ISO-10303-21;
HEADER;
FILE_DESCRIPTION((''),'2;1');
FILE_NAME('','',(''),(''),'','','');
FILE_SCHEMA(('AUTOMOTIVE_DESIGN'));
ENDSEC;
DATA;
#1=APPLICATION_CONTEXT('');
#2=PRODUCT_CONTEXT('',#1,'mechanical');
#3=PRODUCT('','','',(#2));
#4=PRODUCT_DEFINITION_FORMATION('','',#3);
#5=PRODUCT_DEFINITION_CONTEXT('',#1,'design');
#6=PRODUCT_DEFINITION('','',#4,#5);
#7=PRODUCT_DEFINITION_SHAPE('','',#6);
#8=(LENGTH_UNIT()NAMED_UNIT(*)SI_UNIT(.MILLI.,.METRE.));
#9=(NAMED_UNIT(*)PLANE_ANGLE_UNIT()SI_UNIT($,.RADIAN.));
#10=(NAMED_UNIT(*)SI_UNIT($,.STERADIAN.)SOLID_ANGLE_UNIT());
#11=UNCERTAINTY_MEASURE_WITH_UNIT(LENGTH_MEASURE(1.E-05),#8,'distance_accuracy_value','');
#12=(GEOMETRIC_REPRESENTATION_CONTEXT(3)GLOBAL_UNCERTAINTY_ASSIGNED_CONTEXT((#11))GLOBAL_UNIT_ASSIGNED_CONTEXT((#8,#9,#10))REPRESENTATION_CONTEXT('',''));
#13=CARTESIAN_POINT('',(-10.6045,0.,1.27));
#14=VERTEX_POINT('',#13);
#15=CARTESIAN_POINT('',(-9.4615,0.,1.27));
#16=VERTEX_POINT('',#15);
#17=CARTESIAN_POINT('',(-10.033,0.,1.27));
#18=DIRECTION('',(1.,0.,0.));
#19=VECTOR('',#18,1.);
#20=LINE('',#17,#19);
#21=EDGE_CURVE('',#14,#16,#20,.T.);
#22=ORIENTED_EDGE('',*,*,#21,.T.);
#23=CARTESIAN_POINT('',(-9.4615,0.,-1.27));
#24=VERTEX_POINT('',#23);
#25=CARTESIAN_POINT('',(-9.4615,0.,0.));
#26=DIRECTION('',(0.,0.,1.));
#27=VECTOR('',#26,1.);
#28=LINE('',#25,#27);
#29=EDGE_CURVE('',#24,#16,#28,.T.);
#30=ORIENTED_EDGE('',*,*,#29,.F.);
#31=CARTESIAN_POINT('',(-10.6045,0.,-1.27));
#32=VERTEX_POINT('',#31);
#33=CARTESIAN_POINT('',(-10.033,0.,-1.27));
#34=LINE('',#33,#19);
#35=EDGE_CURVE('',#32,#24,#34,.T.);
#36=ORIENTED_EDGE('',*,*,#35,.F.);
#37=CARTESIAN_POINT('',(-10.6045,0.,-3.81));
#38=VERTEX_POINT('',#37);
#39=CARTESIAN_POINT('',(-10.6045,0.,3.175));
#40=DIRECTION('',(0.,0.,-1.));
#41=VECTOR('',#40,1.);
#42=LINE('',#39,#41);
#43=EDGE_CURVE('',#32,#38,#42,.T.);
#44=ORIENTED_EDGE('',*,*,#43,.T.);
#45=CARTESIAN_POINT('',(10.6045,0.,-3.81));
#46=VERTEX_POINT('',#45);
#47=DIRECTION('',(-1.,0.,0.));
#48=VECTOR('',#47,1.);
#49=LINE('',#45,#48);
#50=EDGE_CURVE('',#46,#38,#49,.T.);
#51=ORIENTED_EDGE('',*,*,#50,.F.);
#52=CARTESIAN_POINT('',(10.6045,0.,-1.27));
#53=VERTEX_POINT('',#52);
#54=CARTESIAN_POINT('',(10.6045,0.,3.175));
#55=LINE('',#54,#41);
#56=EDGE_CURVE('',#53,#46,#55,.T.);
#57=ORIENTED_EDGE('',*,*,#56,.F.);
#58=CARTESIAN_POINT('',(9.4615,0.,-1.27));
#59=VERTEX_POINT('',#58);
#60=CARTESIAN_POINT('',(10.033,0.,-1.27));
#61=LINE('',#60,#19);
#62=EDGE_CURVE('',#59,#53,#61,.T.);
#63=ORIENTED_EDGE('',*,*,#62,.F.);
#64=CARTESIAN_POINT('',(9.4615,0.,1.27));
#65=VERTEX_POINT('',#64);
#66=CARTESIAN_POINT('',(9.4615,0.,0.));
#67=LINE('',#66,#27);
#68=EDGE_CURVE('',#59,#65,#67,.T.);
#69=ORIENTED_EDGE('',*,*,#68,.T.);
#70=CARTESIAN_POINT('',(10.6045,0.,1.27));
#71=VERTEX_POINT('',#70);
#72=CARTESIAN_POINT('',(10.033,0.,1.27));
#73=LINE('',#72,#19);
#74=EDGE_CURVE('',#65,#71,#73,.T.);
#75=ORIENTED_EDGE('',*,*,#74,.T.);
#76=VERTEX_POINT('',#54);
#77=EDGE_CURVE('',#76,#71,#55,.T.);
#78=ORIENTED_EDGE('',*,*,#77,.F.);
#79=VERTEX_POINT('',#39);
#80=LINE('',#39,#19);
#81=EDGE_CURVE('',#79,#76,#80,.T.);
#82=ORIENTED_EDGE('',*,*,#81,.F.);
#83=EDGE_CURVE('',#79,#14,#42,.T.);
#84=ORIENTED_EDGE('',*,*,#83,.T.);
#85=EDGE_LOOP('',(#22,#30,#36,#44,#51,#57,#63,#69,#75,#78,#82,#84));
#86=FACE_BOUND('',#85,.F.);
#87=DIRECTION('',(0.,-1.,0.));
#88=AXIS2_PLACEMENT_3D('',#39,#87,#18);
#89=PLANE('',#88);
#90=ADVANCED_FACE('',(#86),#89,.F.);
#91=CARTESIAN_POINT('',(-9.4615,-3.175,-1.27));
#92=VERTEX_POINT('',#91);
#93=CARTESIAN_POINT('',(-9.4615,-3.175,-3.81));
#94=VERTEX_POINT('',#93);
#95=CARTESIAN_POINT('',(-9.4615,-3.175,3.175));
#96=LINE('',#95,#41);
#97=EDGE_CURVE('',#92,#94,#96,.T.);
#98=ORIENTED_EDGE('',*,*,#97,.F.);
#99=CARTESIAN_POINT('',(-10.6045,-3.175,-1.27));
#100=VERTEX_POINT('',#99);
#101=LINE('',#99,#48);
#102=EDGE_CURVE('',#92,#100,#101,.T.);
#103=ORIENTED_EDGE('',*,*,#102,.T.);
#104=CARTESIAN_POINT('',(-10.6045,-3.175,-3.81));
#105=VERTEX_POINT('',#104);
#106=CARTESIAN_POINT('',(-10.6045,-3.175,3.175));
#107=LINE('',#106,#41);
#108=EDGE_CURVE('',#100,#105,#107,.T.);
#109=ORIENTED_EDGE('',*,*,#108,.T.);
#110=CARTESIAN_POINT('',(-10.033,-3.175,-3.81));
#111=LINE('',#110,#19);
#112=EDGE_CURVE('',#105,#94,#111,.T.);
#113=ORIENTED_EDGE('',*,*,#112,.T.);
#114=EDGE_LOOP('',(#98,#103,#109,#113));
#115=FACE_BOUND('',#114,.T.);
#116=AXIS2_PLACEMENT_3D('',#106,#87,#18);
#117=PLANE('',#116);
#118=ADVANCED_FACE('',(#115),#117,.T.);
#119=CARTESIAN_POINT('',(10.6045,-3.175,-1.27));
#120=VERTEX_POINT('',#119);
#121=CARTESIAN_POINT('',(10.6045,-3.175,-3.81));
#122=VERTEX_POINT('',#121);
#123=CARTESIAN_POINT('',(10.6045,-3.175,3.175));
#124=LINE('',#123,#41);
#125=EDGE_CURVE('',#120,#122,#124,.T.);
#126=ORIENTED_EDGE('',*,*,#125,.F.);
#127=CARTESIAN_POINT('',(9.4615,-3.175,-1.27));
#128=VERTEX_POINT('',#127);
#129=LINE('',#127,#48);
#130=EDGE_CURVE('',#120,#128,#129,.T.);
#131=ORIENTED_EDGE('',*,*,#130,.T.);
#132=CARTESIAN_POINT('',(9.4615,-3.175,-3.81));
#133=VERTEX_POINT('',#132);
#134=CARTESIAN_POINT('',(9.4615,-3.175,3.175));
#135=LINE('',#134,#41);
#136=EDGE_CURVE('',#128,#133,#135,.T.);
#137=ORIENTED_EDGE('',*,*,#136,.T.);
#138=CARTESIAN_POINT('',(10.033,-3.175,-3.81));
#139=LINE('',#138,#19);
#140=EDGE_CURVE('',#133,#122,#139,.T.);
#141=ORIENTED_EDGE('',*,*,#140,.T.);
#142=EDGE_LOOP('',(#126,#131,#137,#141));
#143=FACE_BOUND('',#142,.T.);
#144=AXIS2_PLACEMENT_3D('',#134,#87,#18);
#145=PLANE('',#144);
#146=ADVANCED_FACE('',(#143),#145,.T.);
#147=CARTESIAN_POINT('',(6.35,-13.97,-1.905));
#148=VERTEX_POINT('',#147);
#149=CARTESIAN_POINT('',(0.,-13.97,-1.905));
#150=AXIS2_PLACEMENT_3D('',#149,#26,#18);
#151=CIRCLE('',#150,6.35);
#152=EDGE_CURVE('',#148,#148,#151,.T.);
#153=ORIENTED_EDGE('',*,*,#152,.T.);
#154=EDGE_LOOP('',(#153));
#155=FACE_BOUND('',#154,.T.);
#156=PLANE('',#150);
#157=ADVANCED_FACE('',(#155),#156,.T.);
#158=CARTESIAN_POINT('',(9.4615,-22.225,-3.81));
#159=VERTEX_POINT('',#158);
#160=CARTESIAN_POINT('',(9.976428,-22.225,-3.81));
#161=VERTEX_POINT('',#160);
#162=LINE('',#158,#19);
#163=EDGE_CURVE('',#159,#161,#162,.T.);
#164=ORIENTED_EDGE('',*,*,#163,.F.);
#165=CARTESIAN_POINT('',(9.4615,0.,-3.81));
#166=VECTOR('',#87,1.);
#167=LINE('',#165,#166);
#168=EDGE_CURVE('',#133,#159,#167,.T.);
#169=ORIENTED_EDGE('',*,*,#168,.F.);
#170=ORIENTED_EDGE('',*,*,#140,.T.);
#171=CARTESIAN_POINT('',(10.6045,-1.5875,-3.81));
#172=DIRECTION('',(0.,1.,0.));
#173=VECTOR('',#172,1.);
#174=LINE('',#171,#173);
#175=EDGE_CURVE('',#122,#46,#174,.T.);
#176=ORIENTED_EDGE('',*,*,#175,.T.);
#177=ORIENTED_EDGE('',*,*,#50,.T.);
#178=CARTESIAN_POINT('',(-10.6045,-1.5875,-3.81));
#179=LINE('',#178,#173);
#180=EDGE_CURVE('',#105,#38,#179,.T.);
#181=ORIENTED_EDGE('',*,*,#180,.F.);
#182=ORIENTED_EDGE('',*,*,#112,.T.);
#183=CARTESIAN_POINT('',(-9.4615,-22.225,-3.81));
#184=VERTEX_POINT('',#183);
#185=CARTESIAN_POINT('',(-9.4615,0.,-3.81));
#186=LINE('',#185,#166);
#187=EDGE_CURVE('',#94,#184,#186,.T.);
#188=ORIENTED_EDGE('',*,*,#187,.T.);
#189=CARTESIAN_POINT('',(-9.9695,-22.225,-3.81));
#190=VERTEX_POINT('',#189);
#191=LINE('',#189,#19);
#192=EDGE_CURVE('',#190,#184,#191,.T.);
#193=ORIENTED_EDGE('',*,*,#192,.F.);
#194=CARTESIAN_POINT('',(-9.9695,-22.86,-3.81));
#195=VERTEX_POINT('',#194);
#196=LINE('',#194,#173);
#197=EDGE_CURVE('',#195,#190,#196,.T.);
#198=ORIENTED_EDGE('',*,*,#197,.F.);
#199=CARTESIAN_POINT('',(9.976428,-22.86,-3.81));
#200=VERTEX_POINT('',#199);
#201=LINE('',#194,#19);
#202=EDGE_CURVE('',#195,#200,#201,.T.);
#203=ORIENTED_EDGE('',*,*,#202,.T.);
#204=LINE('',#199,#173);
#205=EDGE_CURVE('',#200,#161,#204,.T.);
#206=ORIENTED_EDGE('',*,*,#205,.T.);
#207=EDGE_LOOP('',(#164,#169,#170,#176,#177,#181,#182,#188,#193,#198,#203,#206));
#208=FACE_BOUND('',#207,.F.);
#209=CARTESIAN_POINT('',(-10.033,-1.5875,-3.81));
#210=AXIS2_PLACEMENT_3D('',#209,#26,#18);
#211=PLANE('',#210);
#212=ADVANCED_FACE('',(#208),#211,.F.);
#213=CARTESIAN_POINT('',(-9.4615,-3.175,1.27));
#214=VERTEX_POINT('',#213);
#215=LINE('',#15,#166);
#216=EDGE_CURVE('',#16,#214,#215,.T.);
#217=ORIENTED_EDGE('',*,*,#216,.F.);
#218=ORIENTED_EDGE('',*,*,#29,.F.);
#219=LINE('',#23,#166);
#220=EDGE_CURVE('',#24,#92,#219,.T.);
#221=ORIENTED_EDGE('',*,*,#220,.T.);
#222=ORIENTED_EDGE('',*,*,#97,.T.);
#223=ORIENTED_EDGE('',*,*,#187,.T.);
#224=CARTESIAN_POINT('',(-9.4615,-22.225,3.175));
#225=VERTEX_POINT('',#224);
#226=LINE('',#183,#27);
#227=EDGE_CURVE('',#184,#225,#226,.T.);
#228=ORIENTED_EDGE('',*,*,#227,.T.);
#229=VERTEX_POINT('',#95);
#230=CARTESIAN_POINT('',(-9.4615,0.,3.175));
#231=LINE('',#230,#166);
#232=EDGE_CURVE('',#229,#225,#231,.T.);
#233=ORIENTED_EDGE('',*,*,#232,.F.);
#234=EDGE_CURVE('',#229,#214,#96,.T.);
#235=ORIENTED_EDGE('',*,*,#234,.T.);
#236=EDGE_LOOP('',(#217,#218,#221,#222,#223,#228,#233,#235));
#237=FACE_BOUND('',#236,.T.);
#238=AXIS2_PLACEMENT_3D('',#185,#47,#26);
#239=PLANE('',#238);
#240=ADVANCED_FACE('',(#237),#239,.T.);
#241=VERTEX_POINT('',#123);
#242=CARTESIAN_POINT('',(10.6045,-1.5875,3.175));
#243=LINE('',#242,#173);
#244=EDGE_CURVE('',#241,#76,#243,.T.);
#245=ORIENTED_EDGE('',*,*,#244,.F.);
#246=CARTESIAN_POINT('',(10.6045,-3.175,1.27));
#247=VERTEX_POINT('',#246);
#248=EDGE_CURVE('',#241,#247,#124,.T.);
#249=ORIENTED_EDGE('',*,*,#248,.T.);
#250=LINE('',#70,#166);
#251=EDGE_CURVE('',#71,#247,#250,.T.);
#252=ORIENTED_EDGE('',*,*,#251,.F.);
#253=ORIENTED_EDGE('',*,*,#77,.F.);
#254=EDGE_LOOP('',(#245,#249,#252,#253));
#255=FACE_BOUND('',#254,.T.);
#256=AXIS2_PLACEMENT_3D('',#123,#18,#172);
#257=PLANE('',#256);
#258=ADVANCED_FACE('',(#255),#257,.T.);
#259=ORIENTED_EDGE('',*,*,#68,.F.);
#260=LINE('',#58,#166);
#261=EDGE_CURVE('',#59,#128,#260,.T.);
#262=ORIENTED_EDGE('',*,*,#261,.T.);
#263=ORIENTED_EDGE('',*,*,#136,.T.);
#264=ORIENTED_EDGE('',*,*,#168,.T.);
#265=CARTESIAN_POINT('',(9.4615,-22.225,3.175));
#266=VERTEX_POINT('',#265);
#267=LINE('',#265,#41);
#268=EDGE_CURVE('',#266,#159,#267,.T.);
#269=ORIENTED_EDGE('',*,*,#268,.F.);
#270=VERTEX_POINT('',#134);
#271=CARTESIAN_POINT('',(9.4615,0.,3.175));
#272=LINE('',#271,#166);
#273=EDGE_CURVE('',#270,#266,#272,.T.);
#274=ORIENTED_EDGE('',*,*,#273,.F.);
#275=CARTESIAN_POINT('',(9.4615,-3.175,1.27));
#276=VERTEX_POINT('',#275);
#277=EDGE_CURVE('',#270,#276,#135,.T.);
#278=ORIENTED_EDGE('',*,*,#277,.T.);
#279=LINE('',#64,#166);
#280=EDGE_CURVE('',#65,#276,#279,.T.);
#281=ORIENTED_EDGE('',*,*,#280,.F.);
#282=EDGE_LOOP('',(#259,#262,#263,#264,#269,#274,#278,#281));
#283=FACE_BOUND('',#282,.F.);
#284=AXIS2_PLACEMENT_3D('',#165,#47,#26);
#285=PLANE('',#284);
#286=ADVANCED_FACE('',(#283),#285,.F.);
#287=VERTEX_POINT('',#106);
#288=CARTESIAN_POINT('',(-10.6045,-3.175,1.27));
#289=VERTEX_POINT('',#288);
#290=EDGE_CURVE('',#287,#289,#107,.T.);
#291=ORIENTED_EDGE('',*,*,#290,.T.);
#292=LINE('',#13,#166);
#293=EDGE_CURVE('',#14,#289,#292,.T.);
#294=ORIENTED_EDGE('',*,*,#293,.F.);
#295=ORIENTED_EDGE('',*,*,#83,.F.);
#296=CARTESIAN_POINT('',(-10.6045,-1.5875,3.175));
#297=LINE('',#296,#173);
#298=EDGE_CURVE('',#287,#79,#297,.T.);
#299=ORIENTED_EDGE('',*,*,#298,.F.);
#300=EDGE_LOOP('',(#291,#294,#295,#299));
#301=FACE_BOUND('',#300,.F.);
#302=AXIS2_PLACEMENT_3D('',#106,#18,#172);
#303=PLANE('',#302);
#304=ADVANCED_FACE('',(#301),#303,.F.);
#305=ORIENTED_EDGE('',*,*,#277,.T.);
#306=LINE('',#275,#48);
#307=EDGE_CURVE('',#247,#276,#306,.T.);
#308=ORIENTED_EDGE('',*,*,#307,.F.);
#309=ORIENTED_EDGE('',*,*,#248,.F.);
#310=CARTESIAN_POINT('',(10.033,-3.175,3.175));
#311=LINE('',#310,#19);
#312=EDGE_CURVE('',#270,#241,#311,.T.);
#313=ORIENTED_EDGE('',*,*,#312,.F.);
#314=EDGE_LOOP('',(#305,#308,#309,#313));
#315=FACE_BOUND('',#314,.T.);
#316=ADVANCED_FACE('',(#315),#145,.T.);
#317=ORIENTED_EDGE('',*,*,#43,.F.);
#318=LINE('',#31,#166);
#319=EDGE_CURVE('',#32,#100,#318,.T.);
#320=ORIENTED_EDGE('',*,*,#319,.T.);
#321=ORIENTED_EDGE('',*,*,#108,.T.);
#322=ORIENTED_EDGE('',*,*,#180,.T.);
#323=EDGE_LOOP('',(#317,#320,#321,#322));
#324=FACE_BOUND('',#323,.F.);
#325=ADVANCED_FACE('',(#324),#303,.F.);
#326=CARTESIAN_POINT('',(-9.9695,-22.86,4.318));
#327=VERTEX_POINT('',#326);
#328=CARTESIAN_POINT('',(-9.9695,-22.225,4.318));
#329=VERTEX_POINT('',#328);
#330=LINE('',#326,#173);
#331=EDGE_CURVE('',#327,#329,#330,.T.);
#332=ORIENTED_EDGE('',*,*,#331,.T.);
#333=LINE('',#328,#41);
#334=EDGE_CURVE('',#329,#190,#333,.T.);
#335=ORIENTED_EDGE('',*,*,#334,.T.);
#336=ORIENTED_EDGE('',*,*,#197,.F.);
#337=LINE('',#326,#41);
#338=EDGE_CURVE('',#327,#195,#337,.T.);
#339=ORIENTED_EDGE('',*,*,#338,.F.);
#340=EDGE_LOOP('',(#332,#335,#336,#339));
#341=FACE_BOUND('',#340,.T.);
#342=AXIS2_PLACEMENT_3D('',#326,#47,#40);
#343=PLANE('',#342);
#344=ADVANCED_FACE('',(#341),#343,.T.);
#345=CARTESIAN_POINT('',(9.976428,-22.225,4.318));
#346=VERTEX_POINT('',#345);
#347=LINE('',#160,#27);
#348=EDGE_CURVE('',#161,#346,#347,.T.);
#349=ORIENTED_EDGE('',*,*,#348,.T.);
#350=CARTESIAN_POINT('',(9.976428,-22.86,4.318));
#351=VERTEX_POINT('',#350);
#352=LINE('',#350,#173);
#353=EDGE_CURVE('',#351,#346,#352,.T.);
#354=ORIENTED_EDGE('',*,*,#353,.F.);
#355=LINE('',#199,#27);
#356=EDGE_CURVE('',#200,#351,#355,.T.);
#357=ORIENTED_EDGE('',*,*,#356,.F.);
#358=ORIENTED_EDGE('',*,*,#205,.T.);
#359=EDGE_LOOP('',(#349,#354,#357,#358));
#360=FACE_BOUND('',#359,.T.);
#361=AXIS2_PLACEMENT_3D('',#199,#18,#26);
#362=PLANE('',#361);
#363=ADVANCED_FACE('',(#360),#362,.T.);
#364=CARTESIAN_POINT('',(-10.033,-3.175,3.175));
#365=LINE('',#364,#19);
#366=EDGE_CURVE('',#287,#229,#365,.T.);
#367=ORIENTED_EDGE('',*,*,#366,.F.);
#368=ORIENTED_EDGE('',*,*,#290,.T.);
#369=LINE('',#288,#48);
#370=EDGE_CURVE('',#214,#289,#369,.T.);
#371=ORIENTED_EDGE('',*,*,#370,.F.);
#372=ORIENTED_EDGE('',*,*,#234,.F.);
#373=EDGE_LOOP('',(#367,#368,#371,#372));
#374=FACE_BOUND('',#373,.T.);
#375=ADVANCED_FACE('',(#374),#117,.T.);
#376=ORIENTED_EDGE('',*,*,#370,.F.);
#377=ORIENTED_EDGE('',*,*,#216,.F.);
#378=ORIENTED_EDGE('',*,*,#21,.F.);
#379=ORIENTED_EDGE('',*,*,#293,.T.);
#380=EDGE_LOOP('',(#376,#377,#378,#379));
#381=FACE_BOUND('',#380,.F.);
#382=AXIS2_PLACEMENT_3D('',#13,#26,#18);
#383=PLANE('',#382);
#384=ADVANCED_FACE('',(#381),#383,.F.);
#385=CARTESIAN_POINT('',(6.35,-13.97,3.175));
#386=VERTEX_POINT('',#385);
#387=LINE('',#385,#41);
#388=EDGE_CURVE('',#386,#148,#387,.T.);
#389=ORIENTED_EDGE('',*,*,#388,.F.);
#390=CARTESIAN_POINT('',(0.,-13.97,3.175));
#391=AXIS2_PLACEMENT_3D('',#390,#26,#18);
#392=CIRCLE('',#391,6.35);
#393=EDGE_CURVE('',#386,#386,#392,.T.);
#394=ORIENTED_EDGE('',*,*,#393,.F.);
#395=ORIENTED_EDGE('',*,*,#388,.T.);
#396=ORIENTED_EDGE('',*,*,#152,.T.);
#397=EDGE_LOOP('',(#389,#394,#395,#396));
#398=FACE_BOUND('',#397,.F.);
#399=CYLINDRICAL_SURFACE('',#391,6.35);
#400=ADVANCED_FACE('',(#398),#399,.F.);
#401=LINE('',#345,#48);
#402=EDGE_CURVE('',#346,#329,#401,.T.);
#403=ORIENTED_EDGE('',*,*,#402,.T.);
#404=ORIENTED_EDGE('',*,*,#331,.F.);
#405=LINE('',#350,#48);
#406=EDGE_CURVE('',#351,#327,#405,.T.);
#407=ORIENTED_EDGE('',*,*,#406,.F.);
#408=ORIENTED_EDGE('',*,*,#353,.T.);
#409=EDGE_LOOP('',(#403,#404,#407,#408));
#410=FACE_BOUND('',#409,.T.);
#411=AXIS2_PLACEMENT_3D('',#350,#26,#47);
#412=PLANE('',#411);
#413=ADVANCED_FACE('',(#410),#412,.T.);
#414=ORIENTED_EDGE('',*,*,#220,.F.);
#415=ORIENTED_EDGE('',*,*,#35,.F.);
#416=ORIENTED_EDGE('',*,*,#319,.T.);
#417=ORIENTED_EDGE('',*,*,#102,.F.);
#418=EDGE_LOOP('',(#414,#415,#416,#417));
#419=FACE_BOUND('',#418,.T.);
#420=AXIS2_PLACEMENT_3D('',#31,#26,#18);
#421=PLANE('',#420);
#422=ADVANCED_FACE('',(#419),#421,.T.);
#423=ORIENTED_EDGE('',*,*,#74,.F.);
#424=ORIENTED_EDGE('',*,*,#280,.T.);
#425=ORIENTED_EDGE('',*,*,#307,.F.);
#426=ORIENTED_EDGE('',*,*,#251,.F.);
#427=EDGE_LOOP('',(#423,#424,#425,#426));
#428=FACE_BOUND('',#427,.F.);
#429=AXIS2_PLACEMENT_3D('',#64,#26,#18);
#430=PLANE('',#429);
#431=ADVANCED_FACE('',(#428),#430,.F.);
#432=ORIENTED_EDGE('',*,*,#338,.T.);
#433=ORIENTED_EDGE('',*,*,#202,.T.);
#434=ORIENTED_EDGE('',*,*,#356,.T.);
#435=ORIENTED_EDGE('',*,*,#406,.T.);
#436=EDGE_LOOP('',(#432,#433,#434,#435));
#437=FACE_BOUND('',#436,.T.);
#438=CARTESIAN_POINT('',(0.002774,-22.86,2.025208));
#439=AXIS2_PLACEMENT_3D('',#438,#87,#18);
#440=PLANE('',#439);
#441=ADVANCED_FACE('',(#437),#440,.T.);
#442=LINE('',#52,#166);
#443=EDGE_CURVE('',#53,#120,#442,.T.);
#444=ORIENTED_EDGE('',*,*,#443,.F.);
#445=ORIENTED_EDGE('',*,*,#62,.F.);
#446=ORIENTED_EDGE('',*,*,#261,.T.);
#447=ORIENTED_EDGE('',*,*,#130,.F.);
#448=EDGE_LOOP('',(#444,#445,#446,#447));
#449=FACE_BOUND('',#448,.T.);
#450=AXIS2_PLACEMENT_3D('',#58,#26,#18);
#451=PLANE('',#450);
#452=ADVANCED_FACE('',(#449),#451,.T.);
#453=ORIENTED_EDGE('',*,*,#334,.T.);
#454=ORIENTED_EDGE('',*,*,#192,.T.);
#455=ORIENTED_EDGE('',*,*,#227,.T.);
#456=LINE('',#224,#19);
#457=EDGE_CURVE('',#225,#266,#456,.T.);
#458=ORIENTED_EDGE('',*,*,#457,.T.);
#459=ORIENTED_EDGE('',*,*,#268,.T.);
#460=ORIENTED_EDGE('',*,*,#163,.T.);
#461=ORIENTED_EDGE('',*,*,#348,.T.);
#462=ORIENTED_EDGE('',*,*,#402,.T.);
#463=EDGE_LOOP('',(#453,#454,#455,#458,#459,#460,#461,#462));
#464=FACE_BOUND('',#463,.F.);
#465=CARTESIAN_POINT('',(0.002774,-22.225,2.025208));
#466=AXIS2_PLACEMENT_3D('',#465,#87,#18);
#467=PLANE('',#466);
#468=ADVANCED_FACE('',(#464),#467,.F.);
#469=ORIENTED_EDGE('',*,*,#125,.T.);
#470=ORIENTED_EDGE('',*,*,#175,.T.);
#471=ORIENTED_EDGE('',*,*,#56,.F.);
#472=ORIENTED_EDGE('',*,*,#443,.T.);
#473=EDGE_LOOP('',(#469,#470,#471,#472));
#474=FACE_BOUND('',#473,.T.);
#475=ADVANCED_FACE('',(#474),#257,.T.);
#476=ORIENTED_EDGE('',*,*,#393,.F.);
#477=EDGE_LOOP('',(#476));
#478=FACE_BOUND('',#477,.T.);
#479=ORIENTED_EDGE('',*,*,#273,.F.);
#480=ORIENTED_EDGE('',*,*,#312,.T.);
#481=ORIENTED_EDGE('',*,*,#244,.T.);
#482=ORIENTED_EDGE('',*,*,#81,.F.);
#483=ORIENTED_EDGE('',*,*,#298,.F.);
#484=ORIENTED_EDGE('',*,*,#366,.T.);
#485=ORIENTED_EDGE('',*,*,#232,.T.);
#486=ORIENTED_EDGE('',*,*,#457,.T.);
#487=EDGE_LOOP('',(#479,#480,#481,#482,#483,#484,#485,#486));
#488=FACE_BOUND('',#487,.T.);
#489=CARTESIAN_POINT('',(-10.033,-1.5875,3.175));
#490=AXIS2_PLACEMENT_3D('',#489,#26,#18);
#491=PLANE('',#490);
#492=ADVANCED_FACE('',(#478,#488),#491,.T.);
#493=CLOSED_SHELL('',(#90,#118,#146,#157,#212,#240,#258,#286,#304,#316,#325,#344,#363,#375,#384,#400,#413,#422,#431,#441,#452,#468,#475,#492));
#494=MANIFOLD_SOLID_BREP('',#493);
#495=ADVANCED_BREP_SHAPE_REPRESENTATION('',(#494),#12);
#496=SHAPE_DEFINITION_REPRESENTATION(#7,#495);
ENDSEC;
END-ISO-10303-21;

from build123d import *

# Parameters (mm, degrees)
F0_W     = 18.923
F0_H     = 6.985
F1_DEPTH = 22.86
F3_DEPTH = 0.635
F4_R     = 6.35
F5_DEPTH = 5.08
F4_W     = 1.143
F4_H     = 3.175
F6_DEPTH = 6.985
F7_W     = 1.143
F7_H     = 2.54
F8_DEPTH = 12.7


with BuildPart() as f1:
    # F0 (on Front) → F1 (new body)
    with BuildSketch(Plane.XZ):
        with Locations((0, -0.3175)):
            Rectangle(F0_W, F0_H)
    extrude(amount=F1_DEPTH)

    # F2 (on face) → F3 (join)
    with BuildSketch(Plane.XZ.offset(22.86)):
        Polygon((9.976428, 4.318), (-9.9695, 4.318), (-9.9695, -3.81), (-9.4615, -3.81), (-9.4615, 3.175), (9.4615, 3.175), (9.4615, -3.81), (9.976428, -3.81), align=None)
    extrude(amount=-F3_DEPTH)

    # F4 (on face) → F5 (cut)
    with BuildSketch(Plane.XY.offset(3.175)):
        with Locations((0, -13.97)):
            Circle(F4_R)
    extrude(amount=-F5_DEPTH, mode=Mode.SUBTRACT)

    # F4 (on face) → F6 (join, through all)
    with BuildSketch(Plane.XY.offset(3.175)):
        with Locations((-10.033, -1.5875)):
            Rectangle(F4_W, F4_H)
        with Locations((10.033, -1.5875)):
            Rectangle(F4_W, F4_H)
    extrude(amount=-F6_DEPTH)

    # F7 (on face) → F8 (cut)
    with BuildSketch(Plane.XZ):
        with Locations((10.033, 0)):
            Rectangle(F7_W, F7_H)
        with Locations((-10.033, 0)):
            Rectangle(F7_W, F7_H)
    extrude(amount=F8_DEPTH, mode=Mode.SUBTRACT)


solid = f1.part
